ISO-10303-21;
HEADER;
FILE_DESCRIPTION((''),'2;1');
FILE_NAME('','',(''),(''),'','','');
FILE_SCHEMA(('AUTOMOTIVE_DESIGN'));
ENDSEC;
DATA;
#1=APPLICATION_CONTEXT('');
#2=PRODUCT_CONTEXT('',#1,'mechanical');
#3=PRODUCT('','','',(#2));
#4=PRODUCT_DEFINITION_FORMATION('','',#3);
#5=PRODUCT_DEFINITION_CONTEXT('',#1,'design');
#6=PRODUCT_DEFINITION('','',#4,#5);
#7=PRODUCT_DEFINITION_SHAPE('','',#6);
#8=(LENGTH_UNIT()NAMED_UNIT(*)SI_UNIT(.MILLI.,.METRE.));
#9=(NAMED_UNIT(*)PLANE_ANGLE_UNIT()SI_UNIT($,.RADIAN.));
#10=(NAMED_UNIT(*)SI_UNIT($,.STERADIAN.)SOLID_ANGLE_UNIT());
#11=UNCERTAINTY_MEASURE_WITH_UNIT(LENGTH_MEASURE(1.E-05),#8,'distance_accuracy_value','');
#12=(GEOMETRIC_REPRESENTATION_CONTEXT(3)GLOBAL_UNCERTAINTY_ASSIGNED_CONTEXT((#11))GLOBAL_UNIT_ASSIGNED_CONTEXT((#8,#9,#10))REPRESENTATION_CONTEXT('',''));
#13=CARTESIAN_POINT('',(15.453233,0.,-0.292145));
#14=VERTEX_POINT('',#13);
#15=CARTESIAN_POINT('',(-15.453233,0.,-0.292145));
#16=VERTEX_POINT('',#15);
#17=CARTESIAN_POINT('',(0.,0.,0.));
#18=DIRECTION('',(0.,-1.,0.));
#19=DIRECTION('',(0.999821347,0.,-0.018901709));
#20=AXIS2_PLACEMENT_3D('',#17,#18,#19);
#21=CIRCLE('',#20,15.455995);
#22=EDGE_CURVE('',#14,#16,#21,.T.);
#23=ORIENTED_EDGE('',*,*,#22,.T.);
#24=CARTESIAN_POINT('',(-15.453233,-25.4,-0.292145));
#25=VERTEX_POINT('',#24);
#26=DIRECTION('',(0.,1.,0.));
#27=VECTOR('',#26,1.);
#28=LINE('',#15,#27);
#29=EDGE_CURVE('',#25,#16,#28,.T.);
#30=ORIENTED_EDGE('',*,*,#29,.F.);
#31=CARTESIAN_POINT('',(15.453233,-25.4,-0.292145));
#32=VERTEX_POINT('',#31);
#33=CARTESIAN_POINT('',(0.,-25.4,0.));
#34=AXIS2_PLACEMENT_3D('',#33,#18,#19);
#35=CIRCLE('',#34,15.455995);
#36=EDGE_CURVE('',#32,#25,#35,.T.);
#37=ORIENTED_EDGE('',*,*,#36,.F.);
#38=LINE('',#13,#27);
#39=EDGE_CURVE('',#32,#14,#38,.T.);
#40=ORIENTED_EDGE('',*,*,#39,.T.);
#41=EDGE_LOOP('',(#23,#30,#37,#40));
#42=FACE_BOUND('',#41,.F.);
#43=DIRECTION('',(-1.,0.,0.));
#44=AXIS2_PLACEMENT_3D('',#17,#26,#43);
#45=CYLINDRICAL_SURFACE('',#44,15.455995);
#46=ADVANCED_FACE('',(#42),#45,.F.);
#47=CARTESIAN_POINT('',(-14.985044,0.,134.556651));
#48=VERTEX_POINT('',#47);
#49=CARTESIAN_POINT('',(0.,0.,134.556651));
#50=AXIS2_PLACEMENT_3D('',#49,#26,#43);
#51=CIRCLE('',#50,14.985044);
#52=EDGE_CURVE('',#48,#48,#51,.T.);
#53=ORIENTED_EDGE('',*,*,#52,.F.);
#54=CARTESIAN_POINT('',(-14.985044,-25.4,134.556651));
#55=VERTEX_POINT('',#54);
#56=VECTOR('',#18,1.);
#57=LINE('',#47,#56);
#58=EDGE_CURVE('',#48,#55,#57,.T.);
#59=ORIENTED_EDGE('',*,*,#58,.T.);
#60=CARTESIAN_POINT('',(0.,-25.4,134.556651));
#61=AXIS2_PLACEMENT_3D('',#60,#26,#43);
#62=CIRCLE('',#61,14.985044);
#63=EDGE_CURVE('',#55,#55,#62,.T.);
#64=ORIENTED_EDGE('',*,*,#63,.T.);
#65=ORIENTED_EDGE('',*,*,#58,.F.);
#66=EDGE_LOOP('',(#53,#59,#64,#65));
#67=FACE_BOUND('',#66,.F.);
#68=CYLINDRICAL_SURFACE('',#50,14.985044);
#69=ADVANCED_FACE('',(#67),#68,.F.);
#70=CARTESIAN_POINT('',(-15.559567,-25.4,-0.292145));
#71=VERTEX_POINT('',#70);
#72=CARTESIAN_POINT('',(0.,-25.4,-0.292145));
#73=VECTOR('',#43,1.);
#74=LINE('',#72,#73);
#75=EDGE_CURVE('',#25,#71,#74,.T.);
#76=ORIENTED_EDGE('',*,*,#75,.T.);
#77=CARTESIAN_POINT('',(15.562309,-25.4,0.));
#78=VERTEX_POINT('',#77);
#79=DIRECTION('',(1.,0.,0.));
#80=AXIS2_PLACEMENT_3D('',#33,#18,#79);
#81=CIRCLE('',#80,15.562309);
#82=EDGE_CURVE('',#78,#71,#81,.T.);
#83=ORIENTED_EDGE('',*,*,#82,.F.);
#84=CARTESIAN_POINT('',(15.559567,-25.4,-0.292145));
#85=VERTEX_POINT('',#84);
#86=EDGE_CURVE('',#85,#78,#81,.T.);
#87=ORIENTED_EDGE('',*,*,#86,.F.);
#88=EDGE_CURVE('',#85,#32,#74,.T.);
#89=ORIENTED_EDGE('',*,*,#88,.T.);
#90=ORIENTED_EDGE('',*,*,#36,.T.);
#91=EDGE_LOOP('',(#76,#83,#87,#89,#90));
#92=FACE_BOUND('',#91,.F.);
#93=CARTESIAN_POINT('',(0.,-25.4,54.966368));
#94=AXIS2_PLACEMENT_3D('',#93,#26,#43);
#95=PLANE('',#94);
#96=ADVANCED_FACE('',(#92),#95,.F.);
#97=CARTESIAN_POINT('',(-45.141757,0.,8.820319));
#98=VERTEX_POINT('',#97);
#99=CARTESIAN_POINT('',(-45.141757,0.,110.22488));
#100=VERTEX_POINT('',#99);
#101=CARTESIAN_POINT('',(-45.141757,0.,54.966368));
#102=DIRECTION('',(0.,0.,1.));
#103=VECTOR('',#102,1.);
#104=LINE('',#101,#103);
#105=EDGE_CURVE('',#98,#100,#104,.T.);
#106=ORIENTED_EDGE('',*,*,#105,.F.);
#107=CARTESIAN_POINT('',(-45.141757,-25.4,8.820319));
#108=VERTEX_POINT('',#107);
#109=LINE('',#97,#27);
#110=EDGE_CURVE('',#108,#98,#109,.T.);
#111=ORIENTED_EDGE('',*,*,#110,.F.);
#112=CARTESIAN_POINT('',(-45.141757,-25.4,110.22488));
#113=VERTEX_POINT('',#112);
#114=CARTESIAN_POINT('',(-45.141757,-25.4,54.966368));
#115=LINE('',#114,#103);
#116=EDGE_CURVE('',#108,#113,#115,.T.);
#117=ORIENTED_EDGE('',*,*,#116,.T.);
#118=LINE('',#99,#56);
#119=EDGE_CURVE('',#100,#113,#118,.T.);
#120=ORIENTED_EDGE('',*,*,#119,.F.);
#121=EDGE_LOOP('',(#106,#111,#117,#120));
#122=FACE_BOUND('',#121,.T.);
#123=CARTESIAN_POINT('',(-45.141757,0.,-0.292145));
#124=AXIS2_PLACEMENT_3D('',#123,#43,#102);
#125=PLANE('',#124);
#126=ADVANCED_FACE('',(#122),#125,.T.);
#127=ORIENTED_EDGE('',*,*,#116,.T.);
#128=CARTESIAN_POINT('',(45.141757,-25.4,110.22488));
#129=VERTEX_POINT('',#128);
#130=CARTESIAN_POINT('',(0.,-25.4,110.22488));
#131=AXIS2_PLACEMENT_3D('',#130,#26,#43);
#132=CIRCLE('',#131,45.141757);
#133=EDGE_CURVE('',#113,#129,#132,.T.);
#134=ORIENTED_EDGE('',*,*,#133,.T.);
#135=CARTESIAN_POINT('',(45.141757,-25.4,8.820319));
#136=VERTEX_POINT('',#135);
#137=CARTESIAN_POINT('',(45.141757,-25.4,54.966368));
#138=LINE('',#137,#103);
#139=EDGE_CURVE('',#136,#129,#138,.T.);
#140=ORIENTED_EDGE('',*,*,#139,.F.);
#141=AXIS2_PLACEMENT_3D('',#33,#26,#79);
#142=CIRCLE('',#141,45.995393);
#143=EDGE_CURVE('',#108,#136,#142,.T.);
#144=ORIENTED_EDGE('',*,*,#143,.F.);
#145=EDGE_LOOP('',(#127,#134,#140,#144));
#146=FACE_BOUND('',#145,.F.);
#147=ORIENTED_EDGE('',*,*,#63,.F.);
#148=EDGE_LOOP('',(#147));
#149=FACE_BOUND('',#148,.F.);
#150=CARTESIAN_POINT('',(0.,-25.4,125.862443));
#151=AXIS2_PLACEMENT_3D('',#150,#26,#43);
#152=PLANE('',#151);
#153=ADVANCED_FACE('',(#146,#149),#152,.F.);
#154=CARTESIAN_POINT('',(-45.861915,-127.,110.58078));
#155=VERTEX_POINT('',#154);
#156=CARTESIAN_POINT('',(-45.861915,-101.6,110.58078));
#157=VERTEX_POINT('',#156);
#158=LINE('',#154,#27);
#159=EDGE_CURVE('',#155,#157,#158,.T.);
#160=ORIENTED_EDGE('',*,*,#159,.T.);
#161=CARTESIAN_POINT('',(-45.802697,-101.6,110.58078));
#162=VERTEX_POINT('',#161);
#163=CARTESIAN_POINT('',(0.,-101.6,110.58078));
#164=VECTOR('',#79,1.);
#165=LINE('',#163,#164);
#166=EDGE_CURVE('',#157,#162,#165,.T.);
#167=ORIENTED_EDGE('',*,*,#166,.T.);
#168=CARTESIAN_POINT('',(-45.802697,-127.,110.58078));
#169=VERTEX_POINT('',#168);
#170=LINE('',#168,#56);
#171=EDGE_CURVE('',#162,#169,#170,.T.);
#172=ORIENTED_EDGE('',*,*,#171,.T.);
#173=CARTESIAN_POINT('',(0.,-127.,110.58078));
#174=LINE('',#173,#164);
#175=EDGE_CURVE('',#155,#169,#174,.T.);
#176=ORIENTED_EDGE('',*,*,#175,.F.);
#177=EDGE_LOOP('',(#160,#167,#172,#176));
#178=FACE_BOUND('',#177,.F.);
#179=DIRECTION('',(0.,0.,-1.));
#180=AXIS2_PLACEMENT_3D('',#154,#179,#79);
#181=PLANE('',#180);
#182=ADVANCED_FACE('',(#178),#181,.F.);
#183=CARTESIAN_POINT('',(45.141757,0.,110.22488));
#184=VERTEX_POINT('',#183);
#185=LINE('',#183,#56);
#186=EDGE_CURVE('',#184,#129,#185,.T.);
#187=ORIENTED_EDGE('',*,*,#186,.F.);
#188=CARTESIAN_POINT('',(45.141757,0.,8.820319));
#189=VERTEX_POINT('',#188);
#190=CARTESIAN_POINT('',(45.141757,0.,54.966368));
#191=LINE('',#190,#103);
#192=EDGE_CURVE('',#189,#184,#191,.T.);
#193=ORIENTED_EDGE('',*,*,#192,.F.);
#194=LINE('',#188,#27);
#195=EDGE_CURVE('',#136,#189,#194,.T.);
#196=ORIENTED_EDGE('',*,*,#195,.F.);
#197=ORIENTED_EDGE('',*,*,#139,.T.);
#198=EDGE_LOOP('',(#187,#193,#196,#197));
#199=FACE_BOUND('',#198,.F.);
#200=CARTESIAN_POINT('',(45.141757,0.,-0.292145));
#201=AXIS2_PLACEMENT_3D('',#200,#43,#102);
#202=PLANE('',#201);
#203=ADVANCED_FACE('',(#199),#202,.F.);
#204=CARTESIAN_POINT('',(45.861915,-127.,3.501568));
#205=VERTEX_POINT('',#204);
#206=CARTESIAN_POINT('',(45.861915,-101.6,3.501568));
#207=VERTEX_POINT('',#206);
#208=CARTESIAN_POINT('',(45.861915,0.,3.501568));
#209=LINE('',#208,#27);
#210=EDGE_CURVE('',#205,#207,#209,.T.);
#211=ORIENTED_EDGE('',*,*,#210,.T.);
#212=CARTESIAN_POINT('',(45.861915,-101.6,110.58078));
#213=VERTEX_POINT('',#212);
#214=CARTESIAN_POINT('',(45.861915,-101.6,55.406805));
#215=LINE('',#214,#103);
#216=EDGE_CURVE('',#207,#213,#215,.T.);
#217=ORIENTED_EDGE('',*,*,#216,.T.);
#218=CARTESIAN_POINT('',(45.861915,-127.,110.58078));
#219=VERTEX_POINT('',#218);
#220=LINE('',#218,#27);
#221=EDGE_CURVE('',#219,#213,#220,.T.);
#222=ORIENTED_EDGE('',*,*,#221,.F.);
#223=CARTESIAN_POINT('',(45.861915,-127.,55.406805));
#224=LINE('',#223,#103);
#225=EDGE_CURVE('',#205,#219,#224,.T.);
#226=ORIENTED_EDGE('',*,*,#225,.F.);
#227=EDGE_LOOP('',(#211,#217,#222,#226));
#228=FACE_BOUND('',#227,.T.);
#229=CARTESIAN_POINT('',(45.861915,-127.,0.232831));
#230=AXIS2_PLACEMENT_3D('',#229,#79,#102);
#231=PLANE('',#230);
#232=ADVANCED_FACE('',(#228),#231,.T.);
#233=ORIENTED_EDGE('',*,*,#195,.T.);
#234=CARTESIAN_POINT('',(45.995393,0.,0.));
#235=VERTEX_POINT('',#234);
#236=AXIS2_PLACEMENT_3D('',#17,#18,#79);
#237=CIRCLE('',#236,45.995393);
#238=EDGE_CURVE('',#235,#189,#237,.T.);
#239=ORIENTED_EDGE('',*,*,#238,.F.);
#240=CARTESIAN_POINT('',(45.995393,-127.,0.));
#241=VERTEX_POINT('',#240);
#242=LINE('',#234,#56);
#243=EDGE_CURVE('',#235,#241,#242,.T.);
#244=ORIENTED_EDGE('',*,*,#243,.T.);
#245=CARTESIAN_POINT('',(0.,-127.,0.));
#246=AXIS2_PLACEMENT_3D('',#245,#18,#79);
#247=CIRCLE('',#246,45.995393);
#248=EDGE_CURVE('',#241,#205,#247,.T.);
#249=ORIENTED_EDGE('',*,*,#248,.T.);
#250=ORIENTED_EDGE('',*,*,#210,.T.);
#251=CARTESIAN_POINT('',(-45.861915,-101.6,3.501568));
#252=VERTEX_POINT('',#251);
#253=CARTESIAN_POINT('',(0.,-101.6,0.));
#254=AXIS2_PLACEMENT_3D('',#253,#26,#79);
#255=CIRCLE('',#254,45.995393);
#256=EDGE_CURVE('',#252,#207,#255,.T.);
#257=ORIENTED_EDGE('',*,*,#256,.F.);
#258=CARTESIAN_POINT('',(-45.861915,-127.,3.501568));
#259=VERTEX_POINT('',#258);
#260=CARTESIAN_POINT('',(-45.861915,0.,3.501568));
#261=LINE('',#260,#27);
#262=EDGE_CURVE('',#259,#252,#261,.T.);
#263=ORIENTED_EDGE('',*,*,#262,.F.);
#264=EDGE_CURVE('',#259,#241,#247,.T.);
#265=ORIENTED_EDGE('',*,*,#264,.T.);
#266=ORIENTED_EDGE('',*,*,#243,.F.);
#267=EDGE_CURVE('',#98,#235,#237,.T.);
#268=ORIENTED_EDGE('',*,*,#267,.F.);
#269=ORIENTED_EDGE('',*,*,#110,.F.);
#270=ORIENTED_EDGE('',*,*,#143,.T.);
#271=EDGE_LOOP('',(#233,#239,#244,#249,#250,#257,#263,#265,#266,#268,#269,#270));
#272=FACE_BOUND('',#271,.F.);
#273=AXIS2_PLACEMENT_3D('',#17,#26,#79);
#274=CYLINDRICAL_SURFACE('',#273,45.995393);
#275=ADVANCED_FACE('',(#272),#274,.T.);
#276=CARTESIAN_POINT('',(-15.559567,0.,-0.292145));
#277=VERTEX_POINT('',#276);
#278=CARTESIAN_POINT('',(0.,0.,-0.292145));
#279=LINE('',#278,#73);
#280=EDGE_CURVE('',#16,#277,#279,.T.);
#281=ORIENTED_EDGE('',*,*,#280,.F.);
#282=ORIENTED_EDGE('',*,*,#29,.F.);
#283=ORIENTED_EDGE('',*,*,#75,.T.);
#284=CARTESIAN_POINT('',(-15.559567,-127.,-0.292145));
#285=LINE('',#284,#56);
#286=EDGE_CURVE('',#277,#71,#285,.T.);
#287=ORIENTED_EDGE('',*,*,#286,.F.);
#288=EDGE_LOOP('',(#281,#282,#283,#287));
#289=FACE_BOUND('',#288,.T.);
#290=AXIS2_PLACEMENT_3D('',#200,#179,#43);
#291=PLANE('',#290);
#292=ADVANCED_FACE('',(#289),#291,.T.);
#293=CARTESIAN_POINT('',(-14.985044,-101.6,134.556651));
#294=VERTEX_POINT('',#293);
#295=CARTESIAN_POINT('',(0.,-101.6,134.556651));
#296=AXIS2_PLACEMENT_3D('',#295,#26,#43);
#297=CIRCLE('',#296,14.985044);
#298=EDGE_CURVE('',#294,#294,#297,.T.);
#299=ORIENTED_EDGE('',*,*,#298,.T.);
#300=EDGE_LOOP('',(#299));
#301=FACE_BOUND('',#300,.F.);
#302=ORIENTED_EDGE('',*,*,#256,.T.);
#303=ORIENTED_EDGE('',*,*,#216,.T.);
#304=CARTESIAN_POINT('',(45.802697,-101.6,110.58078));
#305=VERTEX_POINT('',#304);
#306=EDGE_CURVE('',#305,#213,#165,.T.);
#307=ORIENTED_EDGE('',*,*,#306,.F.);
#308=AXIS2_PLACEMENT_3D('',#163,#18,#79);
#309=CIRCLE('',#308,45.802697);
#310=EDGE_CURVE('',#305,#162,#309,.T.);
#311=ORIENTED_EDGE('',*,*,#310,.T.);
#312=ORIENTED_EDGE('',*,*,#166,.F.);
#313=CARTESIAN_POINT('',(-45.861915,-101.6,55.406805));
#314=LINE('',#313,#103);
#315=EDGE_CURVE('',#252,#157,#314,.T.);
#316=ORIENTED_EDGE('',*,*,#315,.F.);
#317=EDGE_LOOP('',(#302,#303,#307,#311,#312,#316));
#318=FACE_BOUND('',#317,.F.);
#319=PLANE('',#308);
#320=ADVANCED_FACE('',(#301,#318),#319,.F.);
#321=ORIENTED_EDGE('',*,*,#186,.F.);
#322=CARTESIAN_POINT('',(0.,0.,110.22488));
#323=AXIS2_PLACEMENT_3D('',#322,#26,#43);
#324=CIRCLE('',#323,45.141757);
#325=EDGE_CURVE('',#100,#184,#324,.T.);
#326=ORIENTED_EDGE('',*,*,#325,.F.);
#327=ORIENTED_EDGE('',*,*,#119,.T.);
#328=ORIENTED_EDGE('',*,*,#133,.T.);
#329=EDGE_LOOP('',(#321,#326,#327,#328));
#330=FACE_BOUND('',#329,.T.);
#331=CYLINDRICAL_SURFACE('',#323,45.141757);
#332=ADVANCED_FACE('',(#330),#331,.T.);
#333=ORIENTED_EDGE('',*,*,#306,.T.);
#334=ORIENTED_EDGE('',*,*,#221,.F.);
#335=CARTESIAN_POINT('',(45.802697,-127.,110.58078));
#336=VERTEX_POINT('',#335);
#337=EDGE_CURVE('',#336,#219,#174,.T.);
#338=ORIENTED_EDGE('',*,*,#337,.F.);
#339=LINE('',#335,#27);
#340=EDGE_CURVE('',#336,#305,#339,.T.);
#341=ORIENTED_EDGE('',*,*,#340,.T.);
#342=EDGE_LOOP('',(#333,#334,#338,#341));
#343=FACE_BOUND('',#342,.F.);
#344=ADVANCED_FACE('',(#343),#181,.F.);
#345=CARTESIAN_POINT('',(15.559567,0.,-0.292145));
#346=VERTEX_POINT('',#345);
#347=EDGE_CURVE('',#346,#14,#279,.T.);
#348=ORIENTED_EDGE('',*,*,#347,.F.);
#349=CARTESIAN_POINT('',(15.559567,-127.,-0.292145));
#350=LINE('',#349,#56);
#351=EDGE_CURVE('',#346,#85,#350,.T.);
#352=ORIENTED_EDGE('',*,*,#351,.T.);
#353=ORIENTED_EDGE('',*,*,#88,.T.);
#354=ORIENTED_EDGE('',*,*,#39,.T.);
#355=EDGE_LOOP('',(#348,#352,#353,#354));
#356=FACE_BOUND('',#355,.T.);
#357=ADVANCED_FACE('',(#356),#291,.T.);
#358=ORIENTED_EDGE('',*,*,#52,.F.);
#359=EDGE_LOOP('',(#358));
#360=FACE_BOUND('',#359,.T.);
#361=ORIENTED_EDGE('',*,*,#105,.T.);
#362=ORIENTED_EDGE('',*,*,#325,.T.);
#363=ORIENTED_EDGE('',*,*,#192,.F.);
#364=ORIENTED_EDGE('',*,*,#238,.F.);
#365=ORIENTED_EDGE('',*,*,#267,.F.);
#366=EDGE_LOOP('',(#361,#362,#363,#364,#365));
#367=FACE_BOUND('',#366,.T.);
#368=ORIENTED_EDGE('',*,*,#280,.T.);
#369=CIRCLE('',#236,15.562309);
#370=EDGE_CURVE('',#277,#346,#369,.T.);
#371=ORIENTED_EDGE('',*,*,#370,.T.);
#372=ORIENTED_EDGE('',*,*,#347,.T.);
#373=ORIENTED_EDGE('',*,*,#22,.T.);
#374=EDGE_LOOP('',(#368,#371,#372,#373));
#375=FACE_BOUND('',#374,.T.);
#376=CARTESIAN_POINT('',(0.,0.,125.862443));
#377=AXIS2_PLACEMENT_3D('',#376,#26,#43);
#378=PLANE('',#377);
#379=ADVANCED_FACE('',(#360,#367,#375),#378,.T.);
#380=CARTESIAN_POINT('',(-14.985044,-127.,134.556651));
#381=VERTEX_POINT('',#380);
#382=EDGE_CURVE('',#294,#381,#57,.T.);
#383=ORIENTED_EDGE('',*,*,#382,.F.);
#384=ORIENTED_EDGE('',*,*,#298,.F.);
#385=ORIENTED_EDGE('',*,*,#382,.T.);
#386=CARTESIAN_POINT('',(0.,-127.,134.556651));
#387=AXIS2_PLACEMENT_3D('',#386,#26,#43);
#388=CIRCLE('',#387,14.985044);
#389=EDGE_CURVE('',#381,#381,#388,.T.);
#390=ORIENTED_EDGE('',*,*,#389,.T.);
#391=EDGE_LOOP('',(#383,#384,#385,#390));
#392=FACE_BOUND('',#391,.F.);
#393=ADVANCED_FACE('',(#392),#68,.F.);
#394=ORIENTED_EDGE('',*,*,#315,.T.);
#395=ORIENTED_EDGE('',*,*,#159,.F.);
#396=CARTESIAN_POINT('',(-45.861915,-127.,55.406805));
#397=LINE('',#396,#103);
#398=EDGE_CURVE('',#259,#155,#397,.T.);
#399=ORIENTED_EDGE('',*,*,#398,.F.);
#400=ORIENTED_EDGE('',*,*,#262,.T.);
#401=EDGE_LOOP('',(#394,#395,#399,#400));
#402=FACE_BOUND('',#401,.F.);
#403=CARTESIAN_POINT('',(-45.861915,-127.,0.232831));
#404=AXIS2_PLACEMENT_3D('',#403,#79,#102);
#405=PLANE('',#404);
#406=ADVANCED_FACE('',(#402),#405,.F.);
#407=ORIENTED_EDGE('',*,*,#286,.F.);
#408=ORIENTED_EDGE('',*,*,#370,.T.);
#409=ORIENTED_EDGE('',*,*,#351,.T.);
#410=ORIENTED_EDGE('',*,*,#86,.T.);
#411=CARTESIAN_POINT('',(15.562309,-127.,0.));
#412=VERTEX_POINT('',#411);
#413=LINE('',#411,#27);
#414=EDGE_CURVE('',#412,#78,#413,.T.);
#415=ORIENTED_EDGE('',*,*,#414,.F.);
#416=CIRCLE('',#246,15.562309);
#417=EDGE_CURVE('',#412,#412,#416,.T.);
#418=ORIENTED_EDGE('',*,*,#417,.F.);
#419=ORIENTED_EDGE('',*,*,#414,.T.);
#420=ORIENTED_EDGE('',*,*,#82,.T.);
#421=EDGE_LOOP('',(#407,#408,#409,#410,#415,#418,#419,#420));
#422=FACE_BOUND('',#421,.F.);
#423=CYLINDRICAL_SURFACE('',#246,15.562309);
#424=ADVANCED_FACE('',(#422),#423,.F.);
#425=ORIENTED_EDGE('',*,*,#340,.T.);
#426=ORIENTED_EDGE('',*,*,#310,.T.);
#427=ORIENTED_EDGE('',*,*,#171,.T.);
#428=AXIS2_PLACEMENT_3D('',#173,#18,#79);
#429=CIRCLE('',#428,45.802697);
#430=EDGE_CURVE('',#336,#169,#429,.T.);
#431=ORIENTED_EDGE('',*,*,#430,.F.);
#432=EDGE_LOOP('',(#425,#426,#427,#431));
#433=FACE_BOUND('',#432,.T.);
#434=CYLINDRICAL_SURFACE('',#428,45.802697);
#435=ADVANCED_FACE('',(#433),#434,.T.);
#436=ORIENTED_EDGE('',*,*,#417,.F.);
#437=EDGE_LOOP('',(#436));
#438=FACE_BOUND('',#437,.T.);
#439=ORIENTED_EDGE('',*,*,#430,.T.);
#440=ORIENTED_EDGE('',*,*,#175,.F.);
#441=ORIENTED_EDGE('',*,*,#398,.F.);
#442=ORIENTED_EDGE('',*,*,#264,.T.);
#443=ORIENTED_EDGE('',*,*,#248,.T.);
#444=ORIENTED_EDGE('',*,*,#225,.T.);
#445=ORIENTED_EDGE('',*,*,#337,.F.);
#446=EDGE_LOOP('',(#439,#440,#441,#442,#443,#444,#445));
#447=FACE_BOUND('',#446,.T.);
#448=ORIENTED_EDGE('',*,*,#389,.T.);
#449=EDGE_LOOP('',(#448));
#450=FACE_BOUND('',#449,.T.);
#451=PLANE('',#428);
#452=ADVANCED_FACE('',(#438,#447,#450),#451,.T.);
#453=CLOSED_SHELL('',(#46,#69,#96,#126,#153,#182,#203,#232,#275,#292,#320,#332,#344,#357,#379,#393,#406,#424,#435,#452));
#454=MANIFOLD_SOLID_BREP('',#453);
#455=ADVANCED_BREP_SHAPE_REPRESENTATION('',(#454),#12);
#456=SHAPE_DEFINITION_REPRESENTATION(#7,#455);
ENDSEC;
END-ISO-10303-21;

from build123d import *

# Parameters (mm, degrees)
F0_R      = 45.9953933043
F1_DEPTH  = 127
F2_R      = 15.5126771319
F3_DEPTH  = 127
F4_W      = 91.7238295078
F4_H      = 110.3479489684
F5_DEPTH  = 25.4
F6_R      = 15.5623091615
F7_DEPTH  = 127
F8_R      = 45.8026969915
F9_DEPTH  = 25.4
F10_W     = 90.2835130692
F10_H     = 110.5170249939
F11_DEPTH = 25.4
F12_R     = 15.4559946756
F13_DEPTH = 127
F15_DEPTH = 25.4
F16_R     = 14.9850437789
F17_DEPTH = 127


with BuildPart() as f1:
    # F0 (on Front) → F1 (new body)
    with BuildSketch(Plane.XZ):
        Circle(F0_R)
    extrude(amount=F1_DEPTH)

    # F2 (on Front) → F3 (cut)
    with BuildSketch(Plane.XZ):
        Circle(F2_R)
    extrude(amount=F3_DEPTH, mode=Mode.SUBTRACT)

    # F4 (on face) → F5 (join)
    with BuildSketch(Plane.XZ.offset(127)):
        with Locations((0, 55.4068051279)):
            Rectangle(F4_W, F4_H)
    extrude(amount=-F5_DEPTH)

    # F6 (on face) → F7 (cut)
    with BuildSketch(Plane.XZ.offset(127)):
        Circle(F6_R)
    extrude(amount=-F7_DEPTH, mode=Mode.SUBTRACT)

    # F8 (on face) → F9 (join)
    with BuildSketch(Plane.XZ.offset(127)):
        with Locations((0, 110.5807796121)):
            Circle(F8_R)
    extrude(amount=-F9_DEPTH)

    # F10 (on face) → F11 (join)
    with BuildSketch(Plane(origin=(0, 0, 0), x_dir=(-1, 0, 0), z_dir=(0, 1, 0))):
        with Locations((0, 54.9663677812)):
            Rectangle(F10_W, F10_H)
    extrude(amount=-F11_DEPTH)

    # F12 (on face) → F13 (cut)
    with BuildSketch(Plane(origin=(0, 0, 0), x_dir=(-1, 0, 0), z_dir=(0, 1, 0))):
        Circle(F12_R)
    extrude(amount=-F13_DEPTH, mode=Mode.SUBTRACT)

    # F14 (on face) → F15 (join)
    with BuildSketch(Plane(origin=(0, 0, 0), x_dir=(-1, 0, 0), z_dir=(0, 1, 0))):
        with BuildLine():
            Line((-45.1417565346, 110.2248802781), (45.1417565346, 110.2248802781))
            ThreePointArc((45.1417565346, 110.2248802781), (0, 155.3666368127), (-45.1417565346, 110.2248802781))
        make_face()
    extrude(amount=-F15_DEPTH)

    # F16 (on face) → F17 (cut)
    with BuildSketch(Plane(origin=(0, 0, 0), x_dir=(-1, 0, 0), z_dir=(0, 1, 0))):
        with Locations((0, 134.5566511154)):
            Circle(F16_R)
    extrude(amount=-F17_DEPTH, mode=Mode.SUBTRACT)


solid = f1.part
